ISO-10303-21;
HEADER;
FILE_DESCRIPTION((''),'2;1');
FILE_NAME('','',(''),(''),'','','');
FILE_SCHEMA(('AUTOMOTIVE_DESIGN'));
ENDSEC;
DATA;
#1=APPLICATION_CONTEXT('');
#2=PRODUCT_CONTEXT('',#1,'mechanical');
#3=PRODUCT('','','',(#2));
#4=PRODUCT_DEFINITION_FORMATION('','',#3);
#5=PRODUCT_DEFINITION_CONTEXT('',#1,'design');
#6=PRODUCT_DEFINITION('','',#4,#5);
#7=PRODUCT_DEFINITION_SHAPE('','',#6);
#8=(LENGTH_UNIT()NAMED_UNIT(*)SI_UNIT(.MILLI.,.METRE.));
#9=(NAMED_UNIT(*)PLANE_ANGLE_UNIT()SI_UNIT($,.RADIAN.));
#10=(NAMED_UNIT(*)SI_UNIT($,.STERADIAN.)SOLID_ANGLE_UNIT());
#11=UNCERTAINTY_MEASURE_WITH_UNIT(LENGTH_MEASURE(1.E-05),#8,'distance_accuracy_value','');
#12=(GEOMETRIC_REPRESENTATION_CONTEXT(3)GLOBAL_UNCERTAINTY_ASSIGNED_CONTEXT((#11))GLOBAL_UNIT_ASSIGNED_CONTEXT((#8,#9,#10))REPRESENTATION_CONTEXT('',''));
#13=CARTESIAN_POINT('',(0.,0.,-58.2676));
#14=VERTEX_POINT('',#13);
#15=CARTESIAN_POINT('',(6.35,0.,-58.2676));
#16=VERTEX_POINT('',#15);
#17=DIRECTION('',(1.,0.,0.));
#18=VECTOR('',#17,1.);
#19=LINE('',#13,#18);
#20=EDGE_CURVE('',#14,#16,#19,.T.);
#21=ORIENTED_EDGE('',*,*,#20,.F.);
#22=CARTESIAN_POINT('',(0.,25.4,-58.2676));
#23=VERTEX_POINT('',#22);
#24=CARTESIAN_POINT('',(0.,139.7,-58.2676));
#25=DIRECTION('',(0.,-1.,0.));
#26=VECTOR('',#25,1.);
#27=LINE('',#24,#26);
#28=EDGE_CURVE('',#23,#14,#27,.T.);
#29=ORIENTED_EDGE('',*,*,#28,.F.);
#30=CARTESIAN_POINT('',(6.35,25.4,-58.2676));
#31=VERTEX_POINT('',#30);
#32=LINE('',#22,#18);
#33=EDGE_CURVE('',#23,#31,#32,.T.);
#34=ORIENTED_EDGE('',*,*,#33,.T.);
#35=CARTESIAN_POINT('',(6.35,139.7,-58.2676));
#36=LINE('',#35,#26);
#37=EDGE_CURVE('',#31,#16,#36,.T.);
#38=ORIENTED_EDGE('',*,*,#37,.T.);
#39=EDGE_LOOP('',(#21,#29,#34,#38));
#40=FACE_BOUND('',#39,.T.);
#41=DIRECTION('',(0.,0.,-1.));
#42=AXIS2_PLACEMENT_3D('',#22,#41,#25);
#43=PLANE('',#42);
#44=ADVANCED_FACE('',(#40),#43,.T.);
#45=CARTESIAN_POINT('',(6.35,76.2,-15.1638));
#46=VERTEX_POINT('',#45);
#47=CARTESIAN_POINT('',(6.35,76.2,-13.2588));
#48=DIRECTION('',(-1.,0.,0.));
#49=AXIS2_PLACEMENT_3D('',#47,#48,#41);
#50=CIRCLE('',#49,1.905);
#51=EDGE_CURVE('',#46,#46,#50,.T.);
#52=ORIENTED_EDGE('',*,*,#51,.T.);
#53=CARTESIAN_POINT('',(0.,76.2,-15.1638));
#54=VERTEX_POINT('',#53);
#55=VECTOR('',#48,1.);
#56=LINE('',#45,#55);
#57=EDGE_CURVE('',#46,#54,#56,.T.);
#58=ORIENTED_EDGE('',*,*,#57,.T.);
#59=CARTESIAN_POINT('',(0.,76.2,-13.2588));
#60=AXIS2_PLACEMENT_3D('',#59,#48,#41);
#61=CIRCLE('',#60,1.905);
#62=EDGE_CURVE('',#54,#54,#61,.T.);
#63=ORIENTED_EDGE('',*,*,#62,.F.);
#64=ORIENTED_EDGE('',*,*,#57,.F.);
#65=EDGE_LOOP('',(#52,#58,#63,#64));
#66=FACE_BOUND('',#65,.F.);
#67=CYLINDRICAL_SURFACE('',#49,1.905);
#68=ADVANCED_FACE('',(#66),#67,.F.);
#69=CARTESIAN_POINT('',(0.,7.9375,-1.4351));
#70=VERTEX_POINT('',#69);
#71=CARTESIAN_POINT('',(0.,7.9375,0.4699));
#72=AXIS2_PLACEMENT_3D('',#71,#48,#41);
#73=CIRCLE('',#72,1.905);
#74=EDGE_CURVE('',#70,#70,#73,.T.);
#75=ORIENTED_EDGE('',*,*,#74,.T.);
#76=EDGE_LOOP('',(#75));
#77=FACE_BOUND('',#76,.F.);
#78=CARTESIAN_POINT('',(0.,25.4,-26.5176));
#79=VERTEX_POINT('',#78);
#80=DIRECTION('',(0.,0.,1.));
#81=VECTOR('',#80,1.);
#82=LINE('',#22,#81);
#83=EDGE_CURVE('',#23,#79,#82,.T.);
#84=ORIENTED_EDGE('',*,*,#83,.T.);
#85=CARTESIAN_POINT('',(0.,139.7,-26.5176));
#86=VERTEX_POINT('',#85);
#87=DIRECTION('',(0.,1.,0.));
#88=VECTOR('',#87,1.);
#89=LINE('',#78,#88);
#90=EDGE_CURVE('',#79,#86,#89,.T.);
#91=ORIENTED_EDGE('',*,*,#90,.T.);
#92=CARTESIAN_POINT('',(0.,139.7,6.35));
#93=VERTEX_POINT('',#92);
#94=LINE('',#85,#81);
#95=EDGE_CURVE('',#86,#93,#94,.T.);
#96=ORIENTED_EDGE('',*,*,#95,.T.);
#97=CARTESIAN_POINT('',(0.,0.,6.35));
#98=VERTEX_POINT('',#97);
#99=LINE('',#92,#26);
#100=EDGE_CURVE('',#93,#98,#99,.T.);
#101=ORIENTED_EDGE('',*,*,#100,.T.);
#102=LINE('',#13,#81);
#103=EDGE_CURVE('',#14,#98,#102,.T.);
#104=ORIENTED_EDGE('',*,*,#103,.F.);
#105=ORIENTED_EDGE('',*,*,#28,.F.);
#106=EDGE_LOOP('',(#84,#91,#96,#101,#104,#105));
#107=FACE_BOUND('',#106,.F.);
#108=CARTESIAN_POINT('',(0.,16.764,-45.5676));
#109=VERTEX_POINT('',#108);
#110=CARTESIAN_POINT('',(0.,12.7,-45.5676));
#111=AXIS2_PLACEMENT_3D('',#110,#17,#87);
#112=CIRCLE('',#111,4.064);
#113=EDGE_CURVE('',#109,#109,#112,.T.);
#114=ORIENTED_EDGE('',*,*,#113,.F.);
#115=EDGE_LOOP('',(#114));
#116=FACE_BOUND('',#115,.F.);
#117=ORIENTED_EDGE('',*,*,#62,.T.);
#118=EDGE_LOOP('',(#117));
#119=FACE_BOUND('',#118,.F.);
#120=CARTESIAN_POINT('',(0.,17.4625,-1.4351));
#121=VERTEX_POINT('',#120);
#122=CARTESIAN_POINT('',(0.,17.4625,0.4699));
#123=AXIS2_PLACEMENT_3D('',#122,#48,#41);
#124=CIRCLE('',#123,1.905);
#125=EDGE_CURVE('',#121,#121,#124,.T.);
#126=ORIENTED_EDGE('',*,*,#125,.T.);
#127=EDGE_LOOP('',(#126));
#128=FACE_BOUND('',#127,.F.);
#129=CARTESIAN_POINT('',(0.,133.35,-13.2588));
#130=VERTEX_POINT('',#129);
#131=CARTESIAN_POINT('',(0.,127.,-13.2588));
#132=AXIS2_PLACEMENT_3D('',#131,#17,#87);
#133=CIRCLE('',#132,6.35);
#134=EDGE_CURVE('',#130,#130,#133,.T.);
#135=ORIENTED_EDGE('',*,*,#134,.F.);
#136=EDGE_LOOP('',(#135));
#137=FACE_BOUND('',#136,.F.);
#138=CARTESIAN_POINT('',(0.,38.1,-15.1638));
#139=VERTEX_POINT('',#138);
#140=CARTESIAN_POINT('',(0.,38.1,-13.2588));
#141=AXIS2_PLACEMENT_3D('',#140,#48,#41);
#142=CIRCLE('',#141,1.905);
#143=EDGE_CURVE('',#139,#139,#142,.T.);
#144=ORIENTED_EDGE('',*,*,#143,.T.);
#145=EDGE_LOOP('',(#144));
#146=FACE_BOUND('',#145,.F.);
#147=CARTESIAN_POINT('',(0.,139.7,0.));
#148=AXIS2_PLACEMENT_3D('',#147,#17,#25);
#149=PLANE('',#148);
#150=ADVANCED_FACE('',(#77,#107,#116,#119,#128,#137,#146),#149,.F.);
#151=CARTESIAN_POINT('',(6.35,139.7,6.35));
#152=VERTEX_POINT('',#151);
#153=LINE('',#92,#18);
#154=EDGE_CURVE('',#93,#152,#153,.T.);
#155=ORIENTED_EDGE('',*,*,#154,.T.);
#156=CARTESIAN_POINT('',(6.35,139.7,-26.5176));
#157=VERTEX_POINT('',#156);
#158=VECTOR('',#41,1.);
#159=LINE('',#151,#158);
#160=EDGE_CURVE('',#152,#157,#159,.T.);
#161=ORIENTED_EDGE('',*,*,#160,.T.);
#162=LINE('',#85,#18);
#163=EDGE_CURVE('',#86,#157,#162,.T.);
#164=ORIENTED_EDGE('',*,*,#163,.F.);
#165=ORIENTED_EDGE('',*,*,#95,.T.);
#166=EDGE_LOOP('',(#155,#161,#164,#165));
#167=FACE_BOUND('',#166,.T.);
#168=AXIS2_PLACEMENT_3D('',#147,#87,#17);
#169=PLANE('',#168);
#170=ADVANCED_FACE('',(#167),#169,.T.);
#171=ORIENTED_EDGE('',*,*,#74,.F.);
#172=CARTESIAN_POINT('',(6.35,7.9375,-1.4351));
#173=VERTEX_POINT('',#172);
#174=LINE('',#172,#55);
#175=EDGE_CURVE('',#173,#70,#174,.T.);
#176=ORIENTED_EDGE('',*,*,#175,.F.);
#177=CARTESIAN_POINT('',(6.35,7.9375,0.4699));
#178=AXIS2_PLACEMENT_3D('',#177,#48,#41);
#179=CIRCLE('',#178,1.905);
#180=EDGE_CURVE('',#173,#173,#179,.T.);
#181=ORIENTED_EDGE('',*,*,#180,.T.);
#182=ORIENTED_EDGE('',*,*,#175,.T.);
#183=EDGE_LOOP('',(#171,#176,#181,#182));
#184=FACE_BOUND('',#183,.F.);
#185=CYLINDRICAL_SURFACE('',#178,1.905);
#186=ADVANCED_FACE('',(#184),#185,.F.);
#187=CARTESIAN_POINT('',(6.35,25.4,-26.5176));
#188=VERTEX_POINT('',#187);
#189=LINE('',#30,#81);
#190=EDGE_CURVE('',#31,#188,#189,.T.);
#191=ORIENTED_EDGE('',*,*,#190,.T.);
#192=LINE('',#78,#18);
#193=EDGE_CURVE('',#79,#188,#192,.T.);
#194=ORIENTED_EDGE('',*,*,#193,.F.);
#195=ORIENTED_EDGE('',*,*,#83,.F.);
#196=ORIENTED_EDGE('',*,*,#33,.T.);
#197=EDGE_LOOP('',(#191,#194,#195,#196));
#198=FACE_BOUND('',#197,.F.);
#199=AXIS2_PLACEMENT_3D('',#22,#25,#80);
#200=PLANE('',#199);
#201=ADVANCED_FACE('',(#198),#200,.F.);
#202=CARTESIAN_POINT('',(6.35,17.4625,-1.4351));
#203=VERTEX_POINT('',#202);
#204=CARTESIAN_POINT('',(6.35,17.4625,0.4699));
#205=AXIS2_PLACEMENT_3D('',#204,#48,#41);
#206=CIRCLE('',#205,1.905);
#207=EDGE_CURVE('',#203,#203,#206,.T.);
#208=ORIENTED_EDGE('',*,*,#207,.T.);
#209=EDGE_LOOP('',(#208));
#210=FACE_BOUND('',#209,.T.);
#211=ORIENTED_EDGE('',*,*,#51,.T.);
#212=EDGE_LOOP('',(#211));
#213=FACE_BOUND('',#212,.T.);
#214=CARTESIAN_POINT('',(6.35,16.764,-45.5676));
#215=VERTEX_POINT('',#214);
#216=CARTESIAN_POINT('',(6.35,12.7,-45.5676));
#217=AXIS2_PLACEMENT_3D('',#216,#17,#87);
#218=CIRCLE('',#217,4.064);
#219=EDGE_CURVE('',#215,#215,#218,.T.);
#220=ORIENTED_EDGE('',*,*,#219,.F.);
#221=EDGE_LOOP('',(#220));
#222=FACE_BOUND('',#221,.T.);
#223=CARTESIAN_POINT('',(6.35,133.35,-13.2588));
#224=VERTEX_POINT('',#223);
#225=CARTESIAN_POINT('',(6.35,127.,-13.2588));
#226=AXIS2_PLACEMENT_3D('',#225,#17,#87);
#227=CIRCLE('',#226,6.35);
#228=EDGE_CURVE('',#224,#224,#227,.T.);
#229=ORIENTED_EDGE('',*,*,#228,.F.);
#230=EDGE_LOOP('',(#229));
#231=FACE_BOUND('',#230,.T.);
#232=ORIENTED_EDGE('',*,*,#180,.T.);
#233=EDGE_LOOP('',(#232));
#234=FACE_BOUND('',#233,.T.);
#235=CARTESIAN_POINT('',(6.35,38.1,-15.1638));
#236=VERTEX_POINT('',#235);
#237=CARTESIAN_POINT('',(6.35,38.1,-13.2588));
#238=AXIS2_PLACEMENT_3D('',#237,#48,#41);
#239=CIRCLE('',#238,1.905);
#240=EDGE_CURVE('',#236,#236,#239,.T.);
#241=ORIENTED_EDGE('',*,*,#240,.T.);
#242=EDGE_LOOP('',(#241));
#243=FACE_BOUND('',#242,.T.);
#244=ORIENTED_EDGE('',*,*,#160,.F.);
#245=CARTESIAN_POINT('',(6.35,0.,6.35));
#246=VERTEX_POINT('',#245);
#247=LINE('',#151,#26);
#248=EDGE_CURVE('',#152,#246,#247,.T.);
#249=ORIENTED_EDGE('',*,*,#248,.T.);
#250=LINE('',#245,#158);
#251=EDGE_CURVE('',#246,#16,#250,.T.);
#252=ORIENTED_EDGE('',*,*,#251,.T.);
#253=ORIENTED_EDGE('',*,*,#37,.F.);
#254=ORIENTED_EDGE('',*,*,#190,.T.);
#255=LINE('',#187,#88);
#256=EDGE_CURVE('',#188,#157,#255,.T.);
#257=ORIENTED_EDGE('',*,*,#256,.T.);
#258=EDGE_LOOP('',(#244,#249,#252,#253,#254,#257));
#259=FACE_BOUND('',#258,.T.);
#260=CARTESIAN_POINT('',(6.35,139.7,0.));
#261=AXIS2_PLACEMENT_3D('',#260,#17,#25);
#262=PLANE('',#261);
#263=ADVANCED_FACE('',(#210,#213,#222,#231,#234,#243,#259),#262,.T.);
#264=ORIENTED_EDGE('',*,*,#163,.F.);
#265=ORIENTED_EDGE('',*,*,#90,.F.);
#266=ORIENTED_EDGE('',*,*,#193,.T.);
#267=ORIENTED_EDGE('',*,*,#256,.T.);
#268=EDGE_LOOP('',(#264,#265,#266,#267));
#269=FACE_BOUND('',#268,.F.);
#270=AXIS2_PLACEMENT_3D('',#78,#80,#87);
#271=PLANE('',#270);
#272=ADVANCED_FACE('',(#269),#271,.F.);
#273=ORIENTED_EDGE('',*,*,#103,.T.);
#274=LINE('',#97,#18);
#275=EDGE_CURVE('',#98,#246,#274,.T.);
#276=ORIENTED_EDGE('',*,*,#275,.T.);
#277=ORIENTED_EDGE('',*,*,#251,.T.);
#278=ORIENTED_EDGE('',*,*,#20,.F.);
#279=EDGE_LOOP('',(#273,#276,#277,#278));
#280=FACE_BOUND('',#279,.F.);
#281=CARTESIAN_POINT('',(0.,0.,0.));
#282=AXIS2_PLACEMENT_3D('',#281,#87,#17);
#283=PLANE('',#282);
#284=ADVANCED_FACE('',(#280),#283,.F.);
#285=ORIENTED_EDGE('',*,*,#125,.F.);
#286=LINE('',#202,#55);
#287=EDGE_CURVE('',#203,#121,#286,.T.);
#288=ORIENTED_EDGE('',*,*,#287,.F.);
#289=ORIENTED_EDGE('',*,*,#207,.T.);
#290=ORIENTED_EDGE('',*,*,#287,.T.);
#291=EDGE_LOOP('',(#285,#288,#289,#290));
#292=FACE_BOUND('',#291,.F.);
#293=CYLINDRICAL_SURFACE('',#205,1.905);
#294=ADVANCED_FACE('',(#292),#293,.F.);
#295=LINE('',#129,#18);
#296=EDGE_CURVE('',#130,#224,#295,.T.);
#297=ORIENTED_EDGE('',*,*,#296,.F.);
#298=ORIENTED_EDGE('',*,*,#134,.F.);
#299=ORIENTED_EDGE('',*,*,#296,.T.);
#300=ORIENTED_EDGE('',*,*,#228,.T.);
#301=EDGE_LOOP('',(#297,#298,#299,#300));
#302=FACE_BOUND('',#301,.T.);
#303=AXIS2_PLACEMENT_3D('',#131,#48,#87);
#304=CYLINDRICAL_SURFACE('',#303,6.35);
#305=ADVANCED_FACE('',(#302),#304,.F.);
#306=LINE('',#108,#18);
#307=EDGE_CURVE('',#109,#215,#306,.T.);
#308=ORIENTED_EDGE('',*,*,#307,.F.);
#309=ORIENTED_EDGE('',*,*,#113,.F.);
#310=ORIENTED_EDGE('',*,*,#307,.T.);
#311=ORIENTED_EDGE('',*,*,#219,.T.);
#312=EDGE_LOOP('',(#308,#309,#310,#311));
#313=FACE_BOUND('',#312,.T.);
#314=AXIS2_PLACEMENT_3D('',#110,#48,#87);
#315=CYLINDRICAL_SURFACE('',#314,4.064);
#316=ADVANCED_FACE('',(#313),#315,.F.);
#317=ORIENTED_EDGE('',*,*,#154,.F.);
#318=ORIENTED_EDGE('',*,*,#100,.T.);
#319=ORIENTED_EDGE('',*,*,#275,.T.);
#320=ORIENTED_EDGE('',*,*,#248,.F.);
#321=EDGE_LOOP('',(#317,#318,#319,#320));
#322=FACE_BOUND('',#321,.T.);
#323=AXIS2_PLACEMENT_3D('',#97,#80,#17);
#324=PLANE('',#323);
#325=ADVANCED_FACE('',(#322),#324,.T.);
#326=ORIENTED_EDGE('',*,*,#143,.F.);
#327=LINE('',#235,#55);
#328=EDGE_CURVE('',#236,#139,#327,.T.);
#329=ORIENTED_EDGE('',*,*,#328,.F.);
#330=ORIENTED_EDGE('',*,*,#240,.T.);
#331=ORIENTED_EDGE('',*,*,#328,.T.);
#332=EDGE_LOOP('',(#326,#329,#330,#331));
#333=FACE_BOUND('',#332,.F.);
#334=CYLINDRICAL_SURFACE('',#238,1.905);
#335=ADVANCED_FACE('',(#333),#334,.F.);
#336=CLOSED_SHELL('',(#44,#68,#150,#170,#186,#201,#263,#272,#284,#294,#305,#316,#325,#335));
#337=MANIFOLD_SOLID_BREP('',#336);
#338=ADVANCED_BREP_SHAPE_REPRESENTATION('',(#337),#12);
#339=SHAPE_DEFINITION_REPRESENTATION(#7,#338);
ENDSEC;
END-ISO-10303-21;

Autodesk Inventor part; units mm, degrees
ref_plane "YZ Plane" through (0, 0, 0) normal (1, 0, 0) x (0, 1, 0)
ref_plane "XZ Plane" through (0, 0, 0) normal (0, 1, 0) x (-1, 0, 0)
ref_plane "XY Plane" through (0, 0, 0) normal (0, 0, 1) x (1, 0, 0)
sketch "Sketch1" plane through (0, 0, 0) normal (1, 0, 0) x (0, 1, 0)
  line L0 (0, 0) -> (139.7, 0)
  line L1 (139.7, 0) -> (139.7, -58.2676)
  line L2 (139.7, -58.2676) -> (0, -58.2676)
  line L3 (0, -58.2676) -> (0, 0)
  circle A0 centre (127, -13.2588) radius 6.35
  circle A1 centre (12.7, -45.5676) radius 4.064
  line L4 (139.7, -58.2676) -> (25.4, -58.2676)
  line L5 (25.4, -58.2676) -> (25.4, -26.5176)
  line L6 (25.4, -26.5176) -> (139.7, -26.5176)
  line L7 (139.7, -26.5176) -> (139.7, -58.2676)
  dimension "d0" = 139.7
  dimension "d2" = 12.7
  dimension "d3" = 8.128
  dimension "d5" = 114.3
  dimension "d6" = 12.7
  dimension "d7" = 12.7
  dimension "d8" = 13.2588
  dimension "d9" = 12.7
  dimension "d24" = 26.5176
  dimension "d26" = 32.3088
extrude "Extrusion1" add sketch "Sketch1" along normal blind 6.35 contours L0 L1 L6 L5 L2 L3
sketch "Sketch2" plane through (6.35, 0, 0) normal (1, 0, 0) x (0, 0, -1)
  line L0 (0, 0) -> (58.2676, 0) projected
  line L1 (26.5176, 139.7) -> (0, 139.7) projected
  line L2 (0, 139.7) -> (0, 0) projected
  point P0 (13.2588, 38.1)
  point P1 (13.2588, 76.2)
  dimension "d12" = 76.2
  dimension "d13" = 38.1
  dimension "d14" = 26.5176
  dimension "d15" = 13.2588
  dimension "d16" = 13.2588
hole "Hole1" at (6.35, 38.1, -13.2588) at (6.35, 76.2, -13.2588) direction (-1, 0, 0) diameter 3.81 end through all
sketch "Sketch3" plane through (0, 0, 0) normal (0, 0, 1) x (1, 0, 0)
  line L0 (0, 139.7) -> (0, 0) projected
  line L1 (0, 0) -> (6.35, 0) projected
  line L2 (6.35, 139.7) -> (6.35, 0) projected
  line L3 (0, 139.7) -> (6.35, 139.7) projected
extrude "Extrusion2" add sketch "Sketch3" along normal blind 6.35
sketch "Sketch4" plane through (6.35, 0, 0) normal (1, 0, 0) x (0, 0, -1)
  circle A0 centre (13.2588, 38.1) radius 1.905 projected
  circle A1 centre (13.2588, 76.2) radius 1.905 projected
  line L0 (58.2676, 25.4) -> (26.5176, 25.4) projected
  line L1 (26.5176, 25.4) -> (26.5176, 139.7) projected
  line L2 (26.5176, 139.7) -> (-6.35, 139.7) projected
  line L3 (-6.35, 0) -> (-6.35, 139.7) projected
  line L4 (58.2676, 0) -> (-6.35, 0) projected
  line L5 (58.2676, 0) -> (58.2676, 25.4) projected
  circle A2 centre (45.5676, 12.7) radius 4.064 projected
  circle A3 centre (13.2588, 127) radius 6.35 projected
  point P0 (0, 0)
  point P1 (-0.4699, 7.9375)
  point P2 (-0.4699, 17.4625)
  dimension "d29" = 9.525
  dimension "d30" = 7.9375
  dimension "d31" = 58.7375
  dimension "d32" = 58.7375
hole "Hole2" at (6.35, 7.9375, 0.4699) at (6.35, 17.4625, 0.4699) direction (-1, 0, 0) diameter 3.81 end through all
equation "\"d8\" = 0.5 * d24"
equation "\"d15\" = 0.5 * d14"
equation "\"d16\" = d15"
equation "\"d32\" = d31"
properties part number "PaddleCollection2.1AxleSupport" material "Nylon 6/6"
